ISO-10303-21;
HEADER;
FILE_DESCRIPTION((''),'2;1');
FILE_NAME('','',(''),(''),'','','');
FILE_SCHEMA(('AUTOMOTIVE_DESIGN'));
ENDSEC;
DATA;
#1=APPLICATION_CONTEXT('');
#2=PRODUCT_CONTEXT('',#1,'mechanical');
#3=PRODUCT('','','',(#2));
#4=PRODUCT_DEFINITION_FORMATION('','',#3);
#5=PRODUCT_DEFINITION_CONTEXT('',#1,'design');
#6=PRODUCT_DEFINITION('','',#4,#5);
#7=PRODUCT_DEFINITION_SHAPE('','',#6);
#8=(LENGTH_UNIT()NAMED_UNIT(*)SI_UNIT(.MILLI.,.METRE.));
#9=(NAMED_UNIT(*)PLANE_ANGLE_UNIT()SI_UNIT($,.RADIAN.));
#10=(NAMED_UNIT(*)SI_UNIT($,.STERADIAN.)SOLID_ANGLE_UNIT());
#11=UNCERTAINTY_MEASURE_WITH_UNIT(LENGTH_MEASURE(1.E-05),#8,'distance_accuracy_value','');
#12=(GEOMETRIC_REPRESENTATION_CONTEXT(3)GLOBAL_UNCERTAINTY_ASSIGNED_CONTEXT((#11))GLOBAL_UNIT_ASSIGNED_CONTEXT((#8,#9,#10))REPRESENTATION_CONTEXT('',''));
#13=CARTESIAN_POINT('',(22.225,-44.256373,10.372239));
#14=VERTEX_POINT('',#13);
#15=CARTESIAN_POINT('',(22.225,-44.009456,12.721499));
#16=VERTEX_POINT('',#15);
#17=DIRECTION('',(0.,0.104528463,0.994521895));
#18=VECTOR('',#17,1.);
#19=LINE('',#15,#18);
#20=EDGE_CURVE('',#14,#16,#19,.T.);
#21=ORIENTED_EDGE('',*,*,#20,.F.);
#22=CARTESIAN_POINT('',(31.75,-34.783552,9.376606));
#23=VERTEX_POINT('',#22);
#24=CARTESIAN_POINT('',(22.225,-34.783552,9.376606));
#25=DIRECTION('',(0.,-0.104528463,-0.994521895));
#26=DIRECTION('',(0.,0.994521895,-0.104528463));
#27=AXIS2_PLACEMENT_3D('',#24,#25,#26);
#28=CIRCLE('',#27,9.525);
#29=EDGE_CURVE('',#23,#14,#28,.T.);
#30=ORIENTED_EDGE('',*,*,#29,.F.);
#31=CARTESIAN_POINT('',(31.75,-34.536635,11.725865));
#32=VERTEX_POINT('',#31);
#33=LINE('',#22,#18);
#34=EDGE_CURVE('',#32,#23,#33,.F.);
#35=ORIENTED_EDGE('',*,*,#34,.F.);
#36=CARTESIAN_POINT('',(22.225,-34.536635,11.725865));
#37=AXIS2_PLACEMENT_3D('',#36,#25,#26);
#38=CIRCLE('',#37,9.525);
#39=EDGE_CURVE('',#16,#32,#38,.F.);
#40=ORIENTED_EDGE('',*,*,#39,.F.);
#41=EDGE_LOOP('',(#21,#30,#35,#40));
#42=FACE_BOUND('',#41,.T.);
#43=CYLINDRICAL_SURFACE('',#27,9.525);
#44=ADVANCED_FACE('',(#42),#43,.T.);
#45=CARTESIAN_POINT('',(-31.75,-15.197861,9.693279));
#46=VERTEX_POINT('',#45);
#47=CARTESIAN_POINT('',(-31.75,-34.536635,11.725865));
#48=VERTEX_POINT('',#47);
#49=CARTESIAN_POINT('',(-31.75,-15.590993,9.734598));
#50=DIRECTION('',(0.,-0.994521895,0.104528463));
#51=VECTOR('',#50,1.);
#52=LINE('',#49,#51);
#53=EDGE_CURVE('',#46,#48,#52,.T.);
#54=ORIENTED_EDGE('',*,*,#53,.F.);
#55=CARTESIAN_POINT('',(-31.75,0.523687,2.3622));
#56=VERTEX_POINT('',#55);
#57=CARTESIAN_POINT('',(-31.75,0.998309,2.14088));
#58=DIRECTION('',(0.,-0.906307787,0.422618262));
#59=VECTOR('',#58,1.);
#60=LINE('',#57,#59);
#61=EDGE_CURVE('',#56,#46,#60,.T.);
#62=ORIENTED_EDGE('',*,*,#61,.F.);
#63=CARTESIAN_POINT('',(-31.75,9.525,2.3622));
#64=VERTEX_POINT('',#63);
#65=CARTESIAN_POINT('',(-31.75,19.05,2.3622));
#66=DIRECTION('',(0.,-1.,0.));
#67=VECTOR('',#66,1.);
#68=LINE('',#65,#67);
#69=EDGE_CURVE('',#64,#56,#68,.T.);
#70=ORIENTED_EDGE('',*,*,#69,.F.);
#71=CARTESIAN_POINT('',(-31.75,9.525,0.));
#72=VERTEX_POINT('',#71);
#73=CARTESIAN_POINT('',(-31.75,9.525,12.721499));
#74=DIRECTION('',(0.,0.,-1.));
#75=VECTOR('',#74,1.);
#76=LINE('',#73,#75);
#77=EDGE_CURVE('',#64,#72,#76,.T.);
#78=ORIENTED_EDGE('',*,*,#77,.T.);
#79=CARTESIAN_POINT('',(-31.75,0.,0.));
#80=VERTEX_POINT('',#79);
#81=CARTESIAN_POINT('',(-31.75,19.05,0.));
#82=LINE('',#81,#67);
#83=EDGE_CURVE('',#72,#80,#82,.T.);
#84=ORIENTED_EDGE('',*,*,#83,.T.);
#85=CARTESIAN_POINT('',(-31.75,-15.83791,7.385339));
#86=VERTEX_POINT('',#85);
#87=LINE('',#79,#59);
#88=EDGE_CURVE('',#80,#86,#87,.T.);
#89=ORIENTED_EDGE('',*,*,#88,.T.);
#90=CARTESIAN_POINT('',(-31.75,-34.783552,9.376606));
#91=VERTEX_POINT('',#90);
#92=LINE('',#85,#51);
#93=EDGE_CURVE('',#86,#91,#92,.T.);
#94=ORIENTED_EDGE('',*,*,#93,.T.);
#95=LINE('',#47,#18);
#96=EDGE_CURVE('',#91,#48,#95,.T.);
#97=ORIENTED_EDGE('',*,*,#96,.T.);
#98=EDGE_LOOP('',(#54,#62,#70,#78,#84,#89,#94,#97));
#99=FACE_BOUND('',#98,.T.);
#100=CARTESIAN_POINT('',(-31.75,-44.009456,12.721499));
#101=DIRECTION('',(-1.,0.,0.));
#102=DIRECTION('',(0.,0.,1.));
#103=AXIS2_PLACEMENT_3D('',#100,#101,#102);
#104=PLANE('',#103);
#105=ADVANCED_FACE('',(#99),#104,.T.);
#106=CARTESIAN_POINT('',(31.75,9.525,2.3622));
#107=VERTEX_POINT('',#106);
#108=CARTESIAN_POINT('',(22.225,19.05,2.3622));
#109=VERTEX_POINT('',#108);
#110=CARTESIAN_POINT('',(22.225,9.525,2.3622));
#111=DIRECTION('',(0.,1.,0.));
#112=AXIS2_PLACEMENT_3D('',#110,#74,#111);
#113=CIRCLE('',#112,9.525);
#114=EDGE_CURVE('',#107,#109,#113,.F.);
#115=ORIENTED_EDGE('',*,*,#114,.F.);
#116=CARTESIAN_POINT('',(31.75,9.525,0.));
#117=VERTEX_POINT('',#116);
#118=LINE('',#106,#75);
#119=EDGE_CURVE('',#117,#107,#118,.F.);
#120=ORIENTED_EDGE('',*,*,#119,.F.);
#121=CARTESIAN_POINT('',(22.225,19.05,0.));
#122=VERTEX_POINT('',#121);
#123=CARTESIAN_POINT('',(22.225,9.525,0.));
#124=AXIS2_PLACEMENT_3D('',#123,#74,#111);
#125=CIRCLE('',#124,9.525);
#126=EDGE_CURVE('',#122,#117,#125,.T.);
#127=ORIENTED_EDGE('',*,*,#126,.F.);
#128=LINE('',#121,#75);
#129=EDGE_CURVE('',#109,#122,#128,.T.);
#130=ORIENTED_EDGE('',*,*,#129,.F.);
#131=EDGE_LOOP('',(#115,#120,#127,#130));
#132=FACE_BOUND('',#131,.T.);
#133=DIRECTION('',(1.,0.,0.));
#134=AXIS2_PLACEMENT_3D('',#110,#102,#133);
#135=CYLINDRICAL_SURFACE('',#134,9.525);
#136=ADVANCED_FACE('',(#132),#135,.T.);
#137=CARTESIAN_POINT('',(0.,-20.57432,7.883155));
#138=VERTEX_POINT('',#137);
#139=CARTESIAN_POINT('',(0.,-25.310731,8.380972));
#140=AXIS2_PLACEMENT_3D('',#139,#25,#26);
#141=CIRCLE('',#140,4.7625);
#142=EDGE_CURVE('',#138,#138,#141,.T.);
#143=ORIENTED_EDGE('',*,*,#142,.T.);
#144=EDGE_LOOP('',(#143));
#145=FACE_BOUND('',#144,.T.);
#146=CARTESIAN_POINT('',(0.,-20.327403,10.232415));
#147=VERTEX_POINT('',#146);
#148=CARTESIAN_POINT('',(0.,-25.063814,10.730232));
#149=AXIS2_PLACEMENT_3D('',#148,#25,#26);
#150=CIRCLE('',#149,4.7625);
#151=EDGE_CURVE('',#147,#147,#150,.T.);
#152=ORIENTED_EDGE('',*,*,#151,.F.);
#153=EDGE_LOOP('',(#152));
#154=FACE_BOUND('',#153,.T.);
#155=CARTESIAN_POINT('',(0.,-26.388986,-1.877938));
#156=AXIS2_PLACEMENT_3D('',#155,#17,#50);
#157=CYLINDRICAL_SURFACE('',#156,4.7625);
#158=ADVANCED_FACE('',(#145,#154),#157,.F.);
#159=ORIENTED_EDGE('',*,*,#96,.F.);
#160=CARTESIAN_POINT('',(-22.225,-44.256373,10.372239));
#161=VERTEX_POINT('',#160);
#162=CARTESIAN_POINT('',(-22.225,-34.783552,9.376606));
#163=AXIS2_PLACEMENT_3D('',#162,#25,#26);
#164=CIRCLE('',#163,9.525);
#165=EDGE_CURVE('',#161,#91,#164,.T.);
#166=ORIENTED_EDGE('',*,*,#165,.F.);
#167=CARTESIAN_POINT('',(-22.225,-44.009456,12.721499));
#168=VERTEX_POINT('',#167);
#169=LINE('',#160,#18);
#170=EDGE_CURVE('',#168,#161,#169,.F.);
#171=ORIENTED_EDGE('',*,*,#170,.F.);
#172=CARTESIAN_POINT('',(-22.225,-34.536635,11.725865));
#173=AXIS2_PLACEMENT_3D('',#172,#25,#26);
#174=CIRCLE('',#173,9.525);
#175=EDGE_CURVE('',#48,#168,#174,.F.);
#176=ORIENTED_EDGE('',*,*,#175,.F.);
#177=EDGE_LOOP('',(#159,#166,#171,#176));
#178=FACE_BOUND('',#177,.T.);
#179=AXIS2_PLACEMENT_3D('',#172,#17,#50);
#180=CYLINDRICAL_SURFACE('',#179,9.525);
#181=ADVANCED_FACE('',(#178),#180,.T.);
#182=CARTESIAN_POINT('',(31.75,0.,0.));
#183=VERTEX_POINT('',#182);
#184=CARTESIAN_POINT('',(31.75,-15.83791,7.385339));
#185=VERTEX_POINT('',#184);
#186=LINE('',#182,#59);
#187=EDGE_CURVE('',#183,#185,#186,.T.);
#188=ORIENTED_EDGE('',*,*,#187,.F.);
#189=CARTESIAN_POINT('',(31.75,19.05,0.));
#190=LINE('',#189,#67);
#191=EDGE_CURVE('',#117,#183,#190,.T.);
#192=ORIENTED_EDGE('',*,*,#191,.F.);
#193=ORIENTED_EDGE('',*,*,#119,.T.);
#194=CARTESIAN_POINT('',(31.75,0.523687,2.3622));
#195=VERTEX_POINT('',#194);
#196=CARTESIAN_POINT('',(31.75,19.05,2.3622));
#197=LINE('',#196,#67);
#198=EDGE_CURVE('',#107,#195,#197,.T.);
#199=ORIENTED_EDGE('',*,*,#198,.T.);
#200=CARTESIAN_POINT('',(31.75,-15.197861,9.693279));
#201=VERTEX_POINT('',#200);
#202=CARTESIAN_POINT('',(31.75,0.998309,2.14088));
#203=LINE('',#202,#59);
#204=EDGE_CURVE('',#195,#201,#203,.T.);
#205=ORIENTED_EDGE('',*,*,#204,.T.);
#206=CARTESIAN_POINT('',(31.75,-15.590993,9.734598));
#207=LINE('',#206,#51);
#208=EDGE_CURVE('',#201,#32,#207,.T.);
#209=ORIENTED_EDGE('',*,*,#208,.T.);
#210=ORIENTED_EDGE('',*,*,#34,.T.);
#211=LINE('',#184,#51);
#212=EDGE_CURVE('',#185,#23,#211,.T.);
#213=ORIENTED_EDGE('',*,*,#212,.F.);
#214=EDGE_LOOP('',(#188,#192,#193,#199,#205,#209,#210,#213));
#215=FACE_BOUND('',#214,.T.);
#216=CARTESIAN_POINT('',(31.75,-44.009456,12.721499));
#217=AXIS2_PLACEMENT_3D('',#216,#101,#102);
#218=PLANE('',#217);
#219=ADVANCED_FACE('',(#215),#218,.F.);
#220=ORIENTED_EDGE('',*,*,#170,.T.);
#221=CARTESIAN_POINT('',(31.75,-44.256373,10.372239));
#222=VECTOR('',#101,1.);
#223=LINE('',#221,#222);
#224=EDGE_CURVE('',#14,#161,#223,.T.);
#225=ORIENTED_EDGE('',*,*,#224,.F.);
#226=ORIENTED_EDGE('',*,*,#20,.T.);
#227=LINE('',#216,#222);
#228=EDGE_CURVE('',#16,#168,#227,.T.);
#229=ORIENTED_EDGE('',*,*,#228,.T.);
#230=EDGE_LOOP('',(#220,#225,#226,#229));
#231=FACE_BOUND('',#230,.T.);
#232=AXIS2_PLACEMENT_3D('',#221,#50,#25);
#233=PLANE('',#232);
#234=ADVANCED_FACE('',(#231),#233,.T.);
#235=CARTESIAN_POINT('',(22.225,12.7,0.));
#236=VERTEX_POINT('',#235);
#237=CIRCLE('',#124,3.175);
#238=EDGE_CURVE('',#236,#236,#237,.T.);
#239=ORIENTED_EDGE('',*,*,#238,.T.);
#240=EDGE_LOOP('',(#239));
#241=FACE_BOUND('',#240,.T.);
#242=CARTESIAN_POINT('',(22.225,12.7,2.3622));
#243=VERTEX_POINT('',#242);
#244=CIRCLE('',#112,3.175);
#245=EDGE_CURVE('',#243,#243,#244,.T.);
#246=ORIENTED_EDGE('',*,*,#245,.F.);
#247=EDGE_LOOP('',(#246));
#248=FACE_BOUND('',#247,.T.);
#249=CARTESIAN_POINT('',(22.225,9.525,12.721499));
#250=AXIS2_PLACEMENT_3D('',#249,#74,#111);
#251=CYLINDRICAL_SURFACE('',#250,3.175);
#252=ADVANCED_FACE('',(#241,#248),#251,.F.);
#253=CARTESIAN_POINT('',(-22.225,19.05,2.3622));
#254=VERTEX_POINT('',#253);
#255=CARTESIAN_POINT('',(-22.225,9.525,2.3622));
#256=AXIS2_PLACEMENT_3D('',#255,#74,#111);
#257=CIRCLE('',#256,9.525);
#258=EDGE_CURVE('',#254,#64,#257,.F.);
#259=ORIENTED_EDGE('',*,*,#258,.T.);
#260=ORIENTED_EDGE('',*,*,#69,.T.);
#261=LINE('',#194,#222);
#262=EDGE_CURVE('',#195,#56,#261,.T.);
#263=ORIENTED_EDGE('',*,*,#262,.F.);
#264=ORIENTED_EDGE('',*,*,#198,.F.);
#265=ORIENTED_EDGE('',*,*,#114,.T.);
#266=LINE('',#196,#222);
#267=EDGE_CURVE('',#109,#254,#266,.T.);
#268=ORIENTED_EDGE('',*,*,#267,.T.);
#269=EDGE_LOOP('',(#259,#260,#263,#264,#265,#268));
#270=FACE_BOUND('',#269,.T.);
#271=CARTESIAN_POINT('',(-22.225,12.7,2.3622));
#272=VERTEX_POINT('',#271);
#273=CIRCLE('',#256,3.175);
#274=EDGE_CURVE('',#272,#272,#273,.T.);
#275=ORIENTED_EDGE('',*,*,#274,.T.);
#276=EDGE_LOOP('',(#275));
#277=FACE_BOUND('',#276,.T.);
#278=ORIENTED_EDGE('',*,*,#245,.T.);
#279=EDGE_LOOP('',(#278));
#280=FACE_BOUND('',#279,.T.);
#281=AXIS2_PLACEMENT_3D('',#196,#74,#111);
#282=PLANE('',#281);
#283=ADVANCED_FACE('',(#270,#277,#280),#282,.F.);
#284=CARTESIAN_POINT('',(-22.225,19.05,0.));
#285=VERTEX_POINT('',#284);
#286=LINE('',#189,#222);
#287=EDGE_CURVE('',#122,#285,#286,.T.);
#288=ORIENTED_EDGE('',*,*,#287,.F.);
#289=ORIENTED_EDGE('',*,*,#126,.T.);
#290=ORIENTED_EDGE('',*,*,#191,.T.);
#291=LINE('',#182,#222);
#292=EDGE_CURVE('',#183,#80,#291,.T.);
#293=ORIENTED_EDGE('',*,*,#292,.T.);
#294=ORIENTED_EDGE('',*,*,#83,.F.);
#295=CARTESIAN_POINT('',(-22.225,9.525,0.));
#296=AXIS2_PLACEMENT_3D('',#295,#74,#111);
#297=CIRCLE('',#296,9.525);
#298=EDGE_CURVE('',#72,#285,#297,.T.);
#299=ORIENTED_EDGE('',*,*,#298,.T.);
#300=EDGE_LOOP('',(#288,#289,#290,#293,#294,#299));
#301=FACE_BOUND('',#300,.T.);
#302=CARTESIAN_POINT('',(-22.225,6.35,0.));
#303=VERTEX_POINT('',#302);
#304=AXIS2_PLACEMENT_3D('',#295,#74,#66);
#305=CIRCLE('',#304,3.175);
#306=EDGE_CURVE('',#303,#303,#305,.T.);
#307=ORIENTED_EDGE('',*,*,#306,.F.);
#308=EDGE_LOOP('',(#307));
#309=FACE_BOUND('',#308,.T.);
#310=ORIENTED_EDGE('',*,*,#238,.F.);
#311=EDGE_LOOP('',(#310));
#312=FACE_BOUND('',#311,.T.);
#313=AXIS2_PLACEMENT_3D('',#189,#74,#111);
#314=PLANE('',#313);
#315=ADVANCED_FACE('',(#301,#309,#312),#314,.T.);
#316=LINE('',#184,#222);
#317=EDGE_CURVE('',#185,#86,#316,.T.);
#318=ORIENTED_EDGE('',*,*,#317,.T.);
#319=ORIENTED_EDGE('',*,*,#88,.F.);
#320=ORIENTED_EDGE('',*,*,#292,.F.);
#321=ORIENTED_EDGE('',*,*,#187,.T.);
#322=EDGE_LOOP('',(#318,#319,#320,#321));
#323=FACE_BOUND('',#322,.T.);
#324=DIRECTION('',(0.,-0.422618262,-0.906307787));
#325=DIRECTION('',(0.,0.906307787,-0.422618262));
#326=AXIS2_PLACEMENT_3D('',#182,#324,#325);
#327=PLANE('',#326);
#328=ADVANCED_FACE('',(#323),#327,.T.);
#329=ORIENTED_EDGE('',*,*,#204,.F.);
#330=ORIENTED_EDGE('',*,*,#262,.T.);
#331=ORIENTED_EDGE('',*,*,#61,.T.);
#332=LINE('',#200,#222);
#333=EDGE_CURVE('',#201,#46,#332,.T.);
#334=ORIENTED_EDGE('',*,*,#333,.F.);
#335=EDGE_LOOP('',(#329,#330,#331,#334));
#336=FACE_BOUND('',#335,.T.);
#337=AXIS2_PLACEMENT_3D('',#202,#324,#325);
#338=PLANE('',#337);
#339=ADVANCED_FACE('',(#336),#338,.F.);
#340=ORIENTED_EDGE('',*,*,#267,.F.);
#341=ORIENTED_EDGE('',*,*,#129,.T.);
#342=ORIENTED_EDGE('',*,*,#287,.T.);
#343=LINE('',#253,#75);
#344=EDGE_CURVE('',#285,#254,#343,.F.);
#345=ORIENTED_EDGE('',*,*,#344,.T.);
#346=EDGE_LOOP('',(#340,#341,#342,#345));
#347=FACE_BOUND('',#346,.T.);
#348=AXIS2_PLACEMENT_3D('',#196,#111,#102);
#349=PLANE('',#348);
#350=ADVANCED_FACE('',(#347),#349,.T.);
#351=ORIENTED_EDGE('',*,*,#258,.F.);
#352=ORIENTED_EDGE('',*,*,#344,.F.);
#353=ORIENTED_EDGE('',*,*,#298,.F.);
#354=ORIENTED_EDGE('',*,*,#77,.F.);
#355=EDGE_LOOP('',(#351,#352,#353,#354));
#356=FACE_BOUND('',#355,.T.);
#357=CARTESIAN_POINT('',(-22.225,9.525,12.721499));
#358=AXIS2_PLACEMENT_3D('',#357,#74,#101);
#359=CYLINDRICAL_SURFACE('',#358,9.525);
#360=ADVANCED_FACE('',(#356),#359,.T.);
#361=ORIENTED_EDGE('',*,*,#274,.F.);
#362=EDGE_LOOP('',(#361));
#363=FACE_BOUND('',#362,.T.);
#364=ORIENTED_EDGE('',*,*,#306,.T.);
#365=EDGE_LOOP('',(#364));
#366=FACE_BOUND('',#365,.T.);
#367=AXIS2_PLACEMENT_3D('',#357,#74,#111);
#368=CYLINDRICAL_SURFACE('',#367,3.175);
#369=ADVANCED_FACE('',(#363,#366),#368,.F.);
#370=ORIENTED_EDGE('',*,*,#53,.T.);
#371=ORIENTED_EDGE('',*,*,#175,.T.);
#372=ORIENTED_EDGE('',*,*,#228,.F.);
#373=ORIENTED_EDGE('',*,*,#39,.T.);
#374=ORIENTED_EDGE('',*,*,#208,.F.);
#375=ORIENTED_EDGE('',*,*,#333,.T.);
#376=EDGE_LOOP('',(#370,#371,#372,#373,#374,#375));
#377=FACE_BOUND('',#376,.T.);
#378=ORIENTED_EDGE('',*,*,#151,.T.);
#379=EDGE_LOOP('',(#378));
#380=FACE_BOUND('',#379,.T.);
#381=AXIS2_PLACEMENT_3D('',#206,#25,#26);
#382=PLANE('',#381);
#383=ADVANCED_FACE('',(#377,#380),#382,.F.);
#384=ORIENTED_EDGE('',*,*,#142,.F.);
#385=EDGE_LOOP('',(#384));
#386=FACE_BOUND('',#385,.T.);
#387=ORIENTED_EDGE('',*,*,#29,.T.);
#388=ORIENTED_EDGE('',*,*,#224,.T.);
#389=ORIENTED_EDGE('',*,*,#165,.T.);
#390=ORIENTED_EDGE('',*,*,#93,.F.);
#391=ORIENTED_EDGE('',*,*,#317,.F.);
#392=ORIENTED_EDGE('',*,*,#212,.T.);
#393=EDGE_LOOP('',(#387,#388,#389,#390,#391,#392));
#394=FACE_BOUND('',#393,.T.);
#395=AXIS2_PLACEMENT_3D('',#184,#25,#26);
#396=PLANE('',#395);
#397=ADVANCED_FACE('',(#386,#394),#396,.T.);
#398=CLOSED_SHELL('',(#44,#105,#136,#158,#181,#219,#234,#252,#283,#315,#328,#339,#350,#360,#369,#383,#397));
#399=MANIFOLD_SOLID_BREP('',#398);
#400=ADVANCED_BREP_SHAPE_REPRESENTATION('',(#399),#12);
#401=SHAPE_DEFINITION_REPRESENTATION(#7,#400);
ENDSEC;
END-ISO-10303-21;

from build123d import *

# Parameters (mm, degrees)
EXTRUDE_THIN1_DEPTH     = 31.75
CUT_EXTRUDE1_DEPTH      = 79.232951004
CUT_EXTRUDE1_DEPTH_BACK = 79.232951004
SKETCH2_R               = 4.7625
SKETCH3_R               = 3.175
CUT_EXTRUDE2_DEPTH      = 56.93322439
FILLET1_R               = 9.525


with BuildPart() as part:
    # Sketch1 → Extrude-Thin1 (new, symmetric)
    with BuildSketch(Plane(origin=(0, 0, 0), x_dir=(0, 0, -1), z_dir=(1, 0, 0))):
        Polygon((0, 19.05), (0, 0), (-7.385338648, -15.83790984), (-10.372239485, -44.256373), (-12.721499107, -44.009455864), (-9.693278511, -15.19786147), (-2.3622, 0.523687132), (-2.3622, 19.05), align=None)
    extrude(amount=EXTRUDE_THIN1_DEPTH, both=True)

    # Sketch2 → Cut-Extrude1 (cut, two sides: drawn at the far end of the back side and taken through both)
    with BuildSketch(Plane(origin=(0, -51.169527341, 13.474052944), x_dir=(-1, 0, 0), z_dir=(0, 0.10452846326765357, 0.9945218953682734)).offset(-CUT_EXTRUDE1_DEPTH_BACK)):
        with Locations(Location((0, -26.249511152, 0), (0, 0, 270))):
            Circle(SKETCH2_R)
    extrude(amount=CUT_EXTRUDE1_DEPTH + CUT_EXTRUDE1_DEPTH_BACK, mode=Mode.SUBTRACT)

    # Sketch3 → Cut-Extrude2 (cut, through all)
    with BuildSketch(Plane(origin=(0, 0, 0), x_dir=(-1, 0, 0), z_dir=(0, 0, -1))):
        with Locations(Location((-22.225, 9.525, 0), (0, 0, 90))):
            Circle(SKETCH3_R)
        with Locations(Location((22.225, 9.525, 0), (0, 0, 90))):
            Circle(SKETCH3_R)
    extrude(amount=-CUT_EXTRUDE2_DEPTH, mode=Mode.SUBTRACT)

    # Fillet1
    fillet1_edges = [part.edges().sort_by_distance(p)[0] for p in [
        (31.75, 19.05, 1.1811),
        (-31.75, 19.05, 1.1811),
        (31.75, -44.132914432, 11.546869296),
        (-31.75, -44.132914432, 11.546869296),
    ]]
    fillet(fillet1_edges, radius=FILLET1_R)


solid = part.part
